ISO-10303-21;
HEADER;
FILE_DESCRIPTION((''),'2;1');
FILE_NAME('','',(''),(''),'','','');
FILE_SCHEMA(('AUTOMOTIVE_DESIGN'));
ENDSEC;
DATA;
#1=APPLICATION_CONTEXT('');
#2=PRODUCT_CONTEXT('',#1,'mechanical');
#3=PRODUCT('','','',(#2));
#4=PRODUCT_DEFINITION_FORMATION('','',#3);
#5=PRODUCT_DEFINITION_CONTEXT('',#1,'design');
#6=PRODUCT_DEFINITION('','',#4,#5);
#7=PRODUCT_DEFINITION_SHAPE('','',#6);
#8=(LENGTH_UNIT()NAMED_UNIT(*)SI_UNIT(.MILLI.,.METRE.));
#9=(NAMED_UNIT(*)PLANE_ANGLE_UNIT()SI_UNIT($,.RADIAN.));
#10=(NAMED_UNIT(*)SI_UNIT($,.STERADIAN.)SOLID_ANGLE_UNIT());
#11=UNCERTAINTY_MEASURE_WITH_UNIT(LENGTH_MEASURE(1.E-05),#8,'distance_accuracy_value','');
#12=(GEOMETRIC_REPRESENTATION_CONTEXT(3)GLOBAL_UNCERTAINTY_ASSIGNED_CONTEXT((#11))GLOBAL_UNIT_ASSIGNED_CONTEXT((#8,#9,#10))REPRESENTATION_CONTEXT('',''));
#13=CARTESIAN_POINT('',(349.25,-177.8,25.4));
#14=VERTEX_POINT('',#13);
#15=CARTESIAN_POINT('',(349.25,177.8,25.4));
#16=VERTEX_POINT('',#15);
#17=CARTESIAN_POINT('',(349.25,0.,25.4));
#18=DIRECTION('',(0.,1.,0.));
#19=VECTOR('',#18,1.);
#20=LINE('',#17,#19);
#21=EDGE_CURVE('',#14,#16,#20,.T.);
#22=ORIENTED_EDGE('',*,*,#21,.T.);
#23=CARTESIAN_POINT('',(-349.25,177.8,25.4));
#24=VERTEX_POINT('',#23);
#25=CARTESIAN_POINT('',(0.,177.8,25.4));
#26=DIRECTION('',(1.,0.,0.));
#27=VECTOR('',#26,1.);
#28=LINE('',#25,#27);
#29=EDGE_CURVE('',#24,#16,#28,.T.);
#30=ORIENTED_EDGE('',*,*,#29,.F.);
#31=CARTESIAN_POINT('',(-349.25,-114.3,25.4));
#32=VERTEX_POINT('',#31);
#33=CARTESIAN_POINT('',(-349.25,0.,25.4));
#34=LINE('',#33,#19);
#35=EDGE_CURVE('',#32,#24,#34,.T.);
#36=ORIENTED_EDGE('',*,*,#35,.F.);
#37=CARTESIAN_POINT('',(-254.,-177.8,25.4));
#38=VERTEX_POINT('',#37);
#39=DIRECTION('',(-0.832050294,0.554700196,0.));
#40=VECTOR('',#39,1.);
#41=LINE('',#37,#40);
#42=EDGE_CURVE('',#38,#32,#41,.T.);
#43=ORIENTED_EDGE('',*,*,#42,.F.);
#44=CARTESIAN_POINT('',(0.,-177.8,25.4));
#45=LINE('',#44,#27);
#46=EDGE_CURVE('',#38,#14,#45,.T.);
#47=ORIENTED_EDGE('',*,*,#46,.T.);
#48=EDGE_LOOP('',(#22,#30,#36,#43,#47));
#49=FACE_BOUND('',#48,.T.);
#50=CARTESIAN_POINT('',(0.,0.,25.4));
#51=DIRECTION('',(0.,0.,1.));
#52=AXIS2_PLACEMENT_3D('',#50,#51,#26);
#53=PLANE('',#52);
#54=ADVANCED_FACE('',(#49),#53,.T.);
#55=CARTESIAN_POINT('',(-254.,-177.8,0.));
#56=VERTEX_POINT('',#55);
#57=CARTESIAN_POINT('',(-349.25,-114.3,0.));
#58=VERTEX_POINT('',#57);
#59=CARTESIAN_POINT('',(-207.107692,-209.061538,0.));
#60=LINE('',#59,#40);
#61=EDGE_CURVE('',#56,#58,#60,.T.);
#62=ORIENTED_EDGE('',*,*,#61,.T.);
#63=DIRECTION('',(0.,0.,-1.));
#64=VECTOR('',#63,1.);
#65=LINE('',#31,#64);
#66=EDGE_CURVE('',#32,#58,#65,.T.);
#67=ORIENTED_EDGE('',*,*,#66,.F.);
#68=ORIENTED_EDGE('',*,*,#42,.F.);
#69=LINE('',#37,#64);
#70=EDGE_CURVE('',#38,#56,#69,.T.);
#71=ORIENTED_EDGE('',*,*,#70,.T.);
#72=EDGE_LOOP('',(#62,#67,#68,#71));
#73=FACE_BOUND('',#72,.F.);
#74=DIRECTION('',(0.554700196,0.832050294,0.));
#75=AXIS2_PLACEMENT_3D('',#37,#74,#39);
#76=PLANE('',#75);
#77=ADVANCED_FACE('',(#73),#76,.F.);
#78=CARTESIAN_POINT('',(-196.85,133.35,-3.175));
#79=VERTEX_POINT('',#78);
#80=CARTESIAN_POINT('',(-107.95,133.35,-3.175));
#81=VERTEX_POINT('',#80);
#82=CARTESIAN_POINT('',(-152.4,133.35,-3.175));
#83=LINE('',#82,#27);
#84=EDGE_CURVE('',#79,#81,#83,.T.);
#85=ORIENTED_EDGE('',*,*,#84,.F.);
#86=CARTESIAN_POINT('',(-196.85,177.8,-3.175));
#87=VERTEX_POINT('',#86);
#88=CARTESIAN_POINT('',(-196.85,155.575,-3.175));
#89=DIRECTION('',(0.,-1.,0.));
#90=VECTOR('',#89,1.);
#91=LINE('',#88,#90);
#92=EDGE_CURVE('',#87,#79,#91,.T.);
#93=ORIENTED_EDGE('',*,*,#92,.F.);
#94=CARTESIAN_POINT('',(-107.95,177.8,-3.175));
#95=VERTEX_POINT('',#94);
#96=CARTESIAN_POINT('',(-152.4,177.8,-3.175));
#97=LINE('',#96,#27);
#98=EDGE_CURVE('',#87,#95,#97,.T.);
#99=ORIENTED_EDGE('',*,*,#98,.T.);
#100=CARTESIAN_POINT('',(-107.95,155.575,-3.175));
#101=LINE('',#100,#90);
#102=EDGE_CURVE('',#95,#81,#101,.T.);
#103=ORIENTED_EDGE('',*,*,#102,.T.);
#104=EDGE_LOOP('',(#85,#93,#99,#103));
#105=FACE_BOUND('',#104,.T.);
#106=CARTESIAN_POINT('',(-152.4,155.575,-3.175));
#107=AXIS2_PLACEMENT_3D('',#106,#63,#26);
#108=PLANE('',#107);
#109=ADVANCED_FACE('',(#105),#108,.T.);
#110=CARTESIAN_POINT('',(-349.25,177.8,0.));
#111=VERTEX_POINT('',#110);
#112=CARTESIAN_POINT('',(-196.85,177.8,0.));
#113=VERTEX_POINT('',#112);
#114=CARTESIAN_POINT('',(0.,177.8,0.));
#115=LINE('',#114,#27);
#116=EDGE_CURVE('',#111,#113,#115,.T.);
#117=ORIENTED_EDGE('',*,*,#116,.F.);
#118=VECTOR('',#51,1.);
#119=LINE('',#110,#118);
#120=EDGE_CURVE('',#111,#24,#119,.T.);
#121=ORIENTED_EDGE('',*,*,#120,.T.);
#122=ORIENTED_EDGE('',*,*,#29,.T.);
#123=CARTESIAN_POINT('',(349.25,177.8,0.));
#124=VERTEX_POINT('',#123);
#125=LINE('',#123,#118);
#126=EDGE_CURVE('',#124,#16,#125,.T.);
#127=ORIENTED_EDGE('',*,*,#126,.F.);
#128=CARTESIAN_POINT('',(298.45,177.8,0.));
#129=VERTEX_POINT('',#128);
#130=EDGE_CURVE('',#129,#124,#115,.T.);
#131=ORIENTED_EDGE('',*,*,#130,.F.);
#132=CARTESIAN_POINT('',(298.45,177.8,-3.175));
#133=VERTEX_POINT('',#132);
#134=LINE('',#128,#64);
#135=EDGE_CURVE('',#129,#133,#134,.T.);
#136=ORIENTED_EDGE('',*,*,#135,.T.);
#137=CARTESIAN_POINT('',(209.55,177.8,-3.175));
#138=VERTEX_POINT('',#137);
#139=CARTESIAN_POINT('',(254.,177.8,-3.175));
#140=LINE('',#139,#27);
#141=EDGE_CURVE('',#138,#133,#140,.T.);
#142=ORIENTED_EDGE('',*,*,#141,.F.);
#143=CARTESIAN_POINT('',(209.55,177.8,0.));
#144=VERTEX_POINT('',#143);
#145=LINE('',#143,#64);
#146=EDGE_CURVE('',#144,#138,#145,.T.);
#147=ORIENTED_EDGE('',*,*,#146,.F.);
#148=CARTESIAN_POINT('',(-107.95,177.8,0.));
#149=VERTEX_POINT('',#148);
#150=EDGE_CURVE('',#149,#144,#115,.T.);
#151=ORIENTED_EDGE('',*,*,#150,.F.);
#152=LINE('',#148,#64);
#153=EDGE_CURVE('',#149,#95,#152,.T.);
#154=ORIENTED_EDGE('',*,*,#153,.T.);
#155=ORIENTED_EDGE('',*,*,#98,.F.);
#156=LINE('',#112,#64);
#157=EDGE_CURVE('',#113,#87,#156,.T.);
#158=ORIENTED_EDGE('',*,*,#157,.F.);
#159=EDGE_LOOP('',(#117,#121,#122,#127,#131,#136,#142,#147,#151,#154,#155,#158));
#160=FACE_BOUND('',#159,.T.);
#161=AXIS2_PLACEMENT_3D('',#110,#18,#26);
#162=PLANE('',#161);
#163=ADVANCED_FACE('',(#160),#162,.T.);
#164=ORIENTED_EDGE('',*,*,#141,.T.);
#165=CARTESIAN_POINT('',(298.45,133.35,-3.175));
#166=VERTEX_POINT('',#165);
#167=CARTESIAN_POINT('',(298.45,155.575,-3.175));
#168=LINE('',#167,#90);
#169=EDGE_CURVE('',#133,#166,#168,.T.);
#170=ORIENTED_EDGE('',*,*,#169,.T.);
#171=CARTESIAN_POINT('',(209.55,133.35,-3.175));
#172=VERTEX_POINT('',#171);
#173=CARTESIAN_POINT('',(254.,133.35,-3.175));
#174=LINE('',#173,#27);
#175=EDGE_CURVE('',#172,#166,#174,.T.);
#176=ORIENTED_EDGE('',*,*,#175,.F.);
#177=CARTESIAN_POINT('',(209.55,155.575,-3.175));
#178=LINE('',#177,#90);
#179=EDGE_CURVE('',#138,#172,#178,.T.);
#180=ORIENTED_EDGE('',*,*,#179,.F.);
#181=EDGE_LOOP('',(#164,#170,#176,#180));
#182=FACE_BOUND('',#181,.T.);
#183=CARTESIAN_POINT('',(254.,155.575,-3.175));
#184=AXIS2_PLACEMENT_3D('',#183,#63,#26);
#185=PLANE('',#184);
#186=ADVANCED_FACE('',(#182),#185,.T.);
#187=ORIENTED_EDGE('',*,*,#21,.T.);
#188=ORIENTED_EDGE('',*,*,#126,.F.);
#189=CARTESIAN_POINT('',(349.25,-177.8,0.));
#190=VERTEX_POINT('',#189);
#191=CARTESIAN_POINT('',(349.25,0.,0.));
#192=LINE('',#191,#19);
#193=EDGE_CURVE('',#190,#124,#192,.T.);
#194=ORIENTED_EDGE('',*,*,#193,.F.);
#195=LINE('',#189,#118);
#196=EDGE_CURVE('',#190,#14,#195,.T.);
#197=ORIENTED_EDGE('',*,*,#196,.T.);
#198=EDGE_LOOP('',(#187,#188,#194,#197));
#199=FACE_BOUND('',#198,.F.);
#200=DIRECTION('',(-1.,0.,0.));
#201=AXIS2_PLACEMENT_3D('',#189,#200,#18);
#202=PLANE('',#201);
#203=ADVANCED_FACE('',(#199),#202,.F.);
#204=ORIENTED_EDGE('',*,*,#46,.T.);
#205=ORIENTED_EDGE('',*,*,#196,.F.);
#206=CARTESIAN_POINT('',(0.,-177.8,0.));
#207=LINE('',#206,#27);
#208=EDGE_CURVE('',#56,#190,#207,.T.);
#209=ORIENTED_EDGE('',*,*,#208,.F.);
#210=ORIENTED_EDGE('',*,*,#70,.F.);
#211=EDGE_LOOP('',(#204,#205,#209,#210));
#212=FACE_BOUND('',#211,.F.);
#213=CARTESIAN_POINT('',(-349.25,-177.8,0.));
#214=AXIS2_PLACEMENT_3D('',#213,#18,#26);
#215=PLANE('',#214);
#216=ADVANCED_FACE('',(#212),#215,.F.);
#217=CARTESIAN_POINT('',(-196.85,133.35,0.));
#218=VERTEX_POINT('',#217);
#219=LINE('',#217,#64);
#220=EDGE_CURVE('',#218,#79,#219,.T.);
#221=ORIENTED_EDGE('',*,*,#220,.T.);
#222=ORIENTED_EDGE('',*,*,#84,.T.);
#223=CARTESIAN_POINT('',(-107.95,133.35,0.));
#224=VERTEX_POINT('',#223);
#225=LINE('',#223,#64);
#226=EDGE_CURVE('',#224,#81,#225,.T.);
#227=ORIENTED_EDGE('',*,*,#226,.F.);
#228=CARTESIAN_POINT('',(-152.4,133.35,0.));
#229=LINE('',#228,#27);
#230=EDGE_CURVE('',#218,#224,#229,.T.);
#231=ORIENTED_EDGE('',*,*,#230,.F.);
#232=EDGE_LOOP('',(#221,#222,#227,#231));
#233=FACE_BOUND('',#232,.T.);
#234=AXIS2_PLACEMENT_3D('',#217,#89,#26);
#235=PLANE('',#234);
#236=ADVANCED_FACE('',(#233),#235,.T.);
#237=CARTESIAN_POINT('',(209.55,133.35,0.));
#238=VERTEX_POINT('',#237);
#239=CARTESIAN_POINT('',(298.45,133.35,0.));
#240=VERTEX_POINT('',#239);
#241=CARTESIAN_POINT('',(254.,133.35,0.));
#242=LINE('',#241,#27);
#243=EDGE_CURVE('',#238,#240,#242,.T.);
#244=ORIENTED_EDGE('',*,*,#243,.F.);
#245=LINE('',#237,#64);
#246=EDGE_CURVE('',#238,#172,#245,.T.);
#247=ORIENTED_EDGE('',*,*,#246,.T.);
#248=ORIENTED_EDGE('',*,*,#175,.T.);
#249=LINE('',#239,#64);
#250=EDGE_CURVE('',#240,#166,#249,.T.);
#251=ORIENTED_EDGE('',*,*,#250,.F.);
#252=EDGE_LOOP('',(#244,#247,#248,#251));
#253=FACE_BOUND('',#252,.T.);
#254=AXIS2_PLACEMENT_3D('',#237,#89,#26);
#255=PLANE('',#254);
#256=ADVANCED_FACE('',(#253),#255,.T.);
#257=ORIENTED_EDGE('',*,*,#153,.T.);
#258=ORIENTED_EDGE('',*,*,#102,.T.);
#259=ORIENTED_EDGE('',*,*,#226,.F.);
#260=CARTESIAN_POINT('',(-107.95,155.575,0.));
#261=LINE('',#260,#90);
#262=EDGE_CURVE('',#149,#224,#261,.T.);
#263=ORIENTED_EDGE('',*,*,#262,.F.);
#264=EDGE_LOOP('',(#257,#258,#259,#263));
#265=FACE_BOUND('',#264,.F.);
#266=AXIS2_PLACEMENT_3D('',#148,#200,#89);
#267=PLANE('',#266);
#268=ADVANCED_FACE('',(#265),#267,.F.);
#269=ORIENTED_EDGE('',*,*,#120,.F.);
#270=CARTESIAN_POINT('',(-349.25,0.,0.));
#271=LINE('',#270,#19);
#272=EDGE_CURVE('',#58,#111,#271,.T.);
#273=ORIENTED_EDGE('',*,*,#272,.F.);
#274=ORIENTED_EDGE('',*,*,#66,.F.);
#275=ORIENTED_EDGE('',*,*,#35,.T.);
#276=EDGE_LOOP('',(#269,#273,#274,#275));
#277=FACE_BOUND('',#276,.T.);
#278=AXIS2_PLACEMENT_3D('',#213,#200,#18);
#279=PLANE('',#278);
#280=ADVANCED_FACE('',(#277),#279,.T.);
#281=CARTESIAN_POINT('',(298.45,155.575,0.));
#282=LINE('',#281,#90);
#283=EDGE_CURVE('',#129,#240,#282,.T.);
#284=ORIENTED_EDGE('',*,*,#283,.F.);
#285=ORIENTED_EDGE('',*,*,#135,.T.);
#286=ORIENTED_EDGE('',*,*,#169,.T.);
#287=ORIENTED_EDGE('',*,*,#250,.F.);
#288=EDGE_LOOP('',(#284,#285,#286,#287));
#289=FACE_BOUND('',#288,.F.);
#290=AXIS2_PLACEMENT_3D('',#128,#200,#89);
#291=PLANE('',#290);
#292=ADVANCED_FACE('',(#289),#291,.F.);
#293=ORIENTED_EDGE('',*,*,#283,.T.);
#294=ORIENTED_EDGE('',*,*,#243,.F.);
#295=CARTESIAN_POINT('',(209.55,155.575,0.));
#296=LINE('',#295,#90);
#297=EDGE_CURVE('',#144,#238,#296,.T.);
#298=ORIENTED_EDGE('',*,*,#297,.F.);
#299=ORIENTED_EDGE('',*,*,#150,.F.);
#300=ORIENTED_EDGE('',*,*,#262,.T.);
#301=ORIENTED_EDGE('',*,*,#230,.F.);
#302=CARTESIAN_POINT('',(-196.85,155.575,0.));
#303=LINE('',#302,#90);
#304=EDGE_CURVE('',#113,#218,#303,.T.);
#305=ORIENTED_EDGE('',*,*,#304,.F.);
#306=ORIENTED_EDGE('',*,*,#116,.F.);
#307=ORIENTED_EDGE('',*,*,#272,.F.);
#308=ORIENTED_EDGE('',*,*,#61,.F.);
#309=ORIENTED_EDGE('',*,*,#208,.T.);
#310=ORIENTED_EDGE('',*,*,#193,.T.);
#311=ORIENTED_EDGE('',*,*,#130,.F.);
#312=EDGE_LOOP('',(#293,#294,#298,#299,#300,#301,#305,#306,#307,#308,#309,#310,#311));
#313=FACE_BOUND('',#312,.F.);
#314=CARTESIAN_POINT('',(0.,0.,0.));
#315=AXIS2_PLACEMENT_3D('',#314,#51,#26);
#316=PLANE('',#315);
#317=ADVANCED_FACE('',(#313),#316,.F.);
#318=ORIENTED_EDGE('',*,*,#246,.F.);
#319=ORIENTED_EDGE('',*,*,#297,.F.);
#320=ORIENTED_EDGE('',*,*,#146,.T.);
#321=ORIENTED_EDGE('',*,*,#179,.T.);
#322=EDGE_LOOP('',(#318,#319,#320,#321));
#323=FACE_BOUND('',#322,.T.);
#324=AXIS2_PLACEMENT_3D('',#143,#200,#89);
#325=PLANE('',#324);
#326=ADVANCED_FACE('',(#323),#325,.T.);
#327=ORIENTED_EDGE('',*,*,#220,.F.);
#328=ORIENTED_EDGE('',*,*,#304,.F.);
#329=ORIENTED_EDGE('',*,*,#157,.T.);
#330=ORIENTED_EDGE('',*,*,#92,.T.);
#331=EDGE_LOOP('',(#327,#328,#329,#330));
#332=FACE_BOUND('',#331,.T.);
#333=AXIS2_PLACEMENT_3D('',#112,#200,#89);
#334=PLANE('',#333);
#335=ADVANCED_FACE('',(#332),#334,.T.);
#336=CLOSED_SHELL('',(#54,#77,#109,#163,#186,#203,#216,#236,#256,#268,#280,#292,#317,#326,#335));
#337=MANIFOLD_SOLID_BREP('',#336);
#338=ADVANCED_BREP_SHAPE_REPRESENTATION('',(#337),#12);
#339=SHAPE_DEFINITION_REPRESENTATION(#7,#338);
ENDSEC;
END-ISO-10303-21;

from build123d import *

# Parameters (mm, degrees)
F0_W     = 698.5
F0_H     = 355.6
F1_DEPTH = 25.4
F3_DEPTH = 25.401
F4_W     = 88.9
F4_H     = 44.45
F5_DEPTH = 3.175


with BuildPart() as f1:
    # F0 (on Top) → F1 (new body)
    with BuildSketch(Plane.XY):
        Rectangle(F0_W, F0_H)
    extrude(amount=F1_DEPTH)

    # F2 (on face) → F3 (cut, through all)
    with BuildSketch(Plane.XY.offset(25.4)):
        Polygon((-254, -177.8), (-349.25, -114.3), (-349.25, -177.8), align=None)
    extrude(amount=-F3_DEPTH, mode=Mode.SUBTRACT)

    # F4 (on face) → F5 (join)
    with BuildSketch(Plane(origin=(0, 0, 0), x_dir=(1, 0, 0), z_dir=(0, 0, -1))):
        with Locations((254, -155.575)):
            Rectangle(F4_W, F4_H)
        with Locations((-152.4, -155.575)):
            Rectangle(F4_W, F4_H)
    extrude(amount=F5_DEPTH)


solid = f1.part
